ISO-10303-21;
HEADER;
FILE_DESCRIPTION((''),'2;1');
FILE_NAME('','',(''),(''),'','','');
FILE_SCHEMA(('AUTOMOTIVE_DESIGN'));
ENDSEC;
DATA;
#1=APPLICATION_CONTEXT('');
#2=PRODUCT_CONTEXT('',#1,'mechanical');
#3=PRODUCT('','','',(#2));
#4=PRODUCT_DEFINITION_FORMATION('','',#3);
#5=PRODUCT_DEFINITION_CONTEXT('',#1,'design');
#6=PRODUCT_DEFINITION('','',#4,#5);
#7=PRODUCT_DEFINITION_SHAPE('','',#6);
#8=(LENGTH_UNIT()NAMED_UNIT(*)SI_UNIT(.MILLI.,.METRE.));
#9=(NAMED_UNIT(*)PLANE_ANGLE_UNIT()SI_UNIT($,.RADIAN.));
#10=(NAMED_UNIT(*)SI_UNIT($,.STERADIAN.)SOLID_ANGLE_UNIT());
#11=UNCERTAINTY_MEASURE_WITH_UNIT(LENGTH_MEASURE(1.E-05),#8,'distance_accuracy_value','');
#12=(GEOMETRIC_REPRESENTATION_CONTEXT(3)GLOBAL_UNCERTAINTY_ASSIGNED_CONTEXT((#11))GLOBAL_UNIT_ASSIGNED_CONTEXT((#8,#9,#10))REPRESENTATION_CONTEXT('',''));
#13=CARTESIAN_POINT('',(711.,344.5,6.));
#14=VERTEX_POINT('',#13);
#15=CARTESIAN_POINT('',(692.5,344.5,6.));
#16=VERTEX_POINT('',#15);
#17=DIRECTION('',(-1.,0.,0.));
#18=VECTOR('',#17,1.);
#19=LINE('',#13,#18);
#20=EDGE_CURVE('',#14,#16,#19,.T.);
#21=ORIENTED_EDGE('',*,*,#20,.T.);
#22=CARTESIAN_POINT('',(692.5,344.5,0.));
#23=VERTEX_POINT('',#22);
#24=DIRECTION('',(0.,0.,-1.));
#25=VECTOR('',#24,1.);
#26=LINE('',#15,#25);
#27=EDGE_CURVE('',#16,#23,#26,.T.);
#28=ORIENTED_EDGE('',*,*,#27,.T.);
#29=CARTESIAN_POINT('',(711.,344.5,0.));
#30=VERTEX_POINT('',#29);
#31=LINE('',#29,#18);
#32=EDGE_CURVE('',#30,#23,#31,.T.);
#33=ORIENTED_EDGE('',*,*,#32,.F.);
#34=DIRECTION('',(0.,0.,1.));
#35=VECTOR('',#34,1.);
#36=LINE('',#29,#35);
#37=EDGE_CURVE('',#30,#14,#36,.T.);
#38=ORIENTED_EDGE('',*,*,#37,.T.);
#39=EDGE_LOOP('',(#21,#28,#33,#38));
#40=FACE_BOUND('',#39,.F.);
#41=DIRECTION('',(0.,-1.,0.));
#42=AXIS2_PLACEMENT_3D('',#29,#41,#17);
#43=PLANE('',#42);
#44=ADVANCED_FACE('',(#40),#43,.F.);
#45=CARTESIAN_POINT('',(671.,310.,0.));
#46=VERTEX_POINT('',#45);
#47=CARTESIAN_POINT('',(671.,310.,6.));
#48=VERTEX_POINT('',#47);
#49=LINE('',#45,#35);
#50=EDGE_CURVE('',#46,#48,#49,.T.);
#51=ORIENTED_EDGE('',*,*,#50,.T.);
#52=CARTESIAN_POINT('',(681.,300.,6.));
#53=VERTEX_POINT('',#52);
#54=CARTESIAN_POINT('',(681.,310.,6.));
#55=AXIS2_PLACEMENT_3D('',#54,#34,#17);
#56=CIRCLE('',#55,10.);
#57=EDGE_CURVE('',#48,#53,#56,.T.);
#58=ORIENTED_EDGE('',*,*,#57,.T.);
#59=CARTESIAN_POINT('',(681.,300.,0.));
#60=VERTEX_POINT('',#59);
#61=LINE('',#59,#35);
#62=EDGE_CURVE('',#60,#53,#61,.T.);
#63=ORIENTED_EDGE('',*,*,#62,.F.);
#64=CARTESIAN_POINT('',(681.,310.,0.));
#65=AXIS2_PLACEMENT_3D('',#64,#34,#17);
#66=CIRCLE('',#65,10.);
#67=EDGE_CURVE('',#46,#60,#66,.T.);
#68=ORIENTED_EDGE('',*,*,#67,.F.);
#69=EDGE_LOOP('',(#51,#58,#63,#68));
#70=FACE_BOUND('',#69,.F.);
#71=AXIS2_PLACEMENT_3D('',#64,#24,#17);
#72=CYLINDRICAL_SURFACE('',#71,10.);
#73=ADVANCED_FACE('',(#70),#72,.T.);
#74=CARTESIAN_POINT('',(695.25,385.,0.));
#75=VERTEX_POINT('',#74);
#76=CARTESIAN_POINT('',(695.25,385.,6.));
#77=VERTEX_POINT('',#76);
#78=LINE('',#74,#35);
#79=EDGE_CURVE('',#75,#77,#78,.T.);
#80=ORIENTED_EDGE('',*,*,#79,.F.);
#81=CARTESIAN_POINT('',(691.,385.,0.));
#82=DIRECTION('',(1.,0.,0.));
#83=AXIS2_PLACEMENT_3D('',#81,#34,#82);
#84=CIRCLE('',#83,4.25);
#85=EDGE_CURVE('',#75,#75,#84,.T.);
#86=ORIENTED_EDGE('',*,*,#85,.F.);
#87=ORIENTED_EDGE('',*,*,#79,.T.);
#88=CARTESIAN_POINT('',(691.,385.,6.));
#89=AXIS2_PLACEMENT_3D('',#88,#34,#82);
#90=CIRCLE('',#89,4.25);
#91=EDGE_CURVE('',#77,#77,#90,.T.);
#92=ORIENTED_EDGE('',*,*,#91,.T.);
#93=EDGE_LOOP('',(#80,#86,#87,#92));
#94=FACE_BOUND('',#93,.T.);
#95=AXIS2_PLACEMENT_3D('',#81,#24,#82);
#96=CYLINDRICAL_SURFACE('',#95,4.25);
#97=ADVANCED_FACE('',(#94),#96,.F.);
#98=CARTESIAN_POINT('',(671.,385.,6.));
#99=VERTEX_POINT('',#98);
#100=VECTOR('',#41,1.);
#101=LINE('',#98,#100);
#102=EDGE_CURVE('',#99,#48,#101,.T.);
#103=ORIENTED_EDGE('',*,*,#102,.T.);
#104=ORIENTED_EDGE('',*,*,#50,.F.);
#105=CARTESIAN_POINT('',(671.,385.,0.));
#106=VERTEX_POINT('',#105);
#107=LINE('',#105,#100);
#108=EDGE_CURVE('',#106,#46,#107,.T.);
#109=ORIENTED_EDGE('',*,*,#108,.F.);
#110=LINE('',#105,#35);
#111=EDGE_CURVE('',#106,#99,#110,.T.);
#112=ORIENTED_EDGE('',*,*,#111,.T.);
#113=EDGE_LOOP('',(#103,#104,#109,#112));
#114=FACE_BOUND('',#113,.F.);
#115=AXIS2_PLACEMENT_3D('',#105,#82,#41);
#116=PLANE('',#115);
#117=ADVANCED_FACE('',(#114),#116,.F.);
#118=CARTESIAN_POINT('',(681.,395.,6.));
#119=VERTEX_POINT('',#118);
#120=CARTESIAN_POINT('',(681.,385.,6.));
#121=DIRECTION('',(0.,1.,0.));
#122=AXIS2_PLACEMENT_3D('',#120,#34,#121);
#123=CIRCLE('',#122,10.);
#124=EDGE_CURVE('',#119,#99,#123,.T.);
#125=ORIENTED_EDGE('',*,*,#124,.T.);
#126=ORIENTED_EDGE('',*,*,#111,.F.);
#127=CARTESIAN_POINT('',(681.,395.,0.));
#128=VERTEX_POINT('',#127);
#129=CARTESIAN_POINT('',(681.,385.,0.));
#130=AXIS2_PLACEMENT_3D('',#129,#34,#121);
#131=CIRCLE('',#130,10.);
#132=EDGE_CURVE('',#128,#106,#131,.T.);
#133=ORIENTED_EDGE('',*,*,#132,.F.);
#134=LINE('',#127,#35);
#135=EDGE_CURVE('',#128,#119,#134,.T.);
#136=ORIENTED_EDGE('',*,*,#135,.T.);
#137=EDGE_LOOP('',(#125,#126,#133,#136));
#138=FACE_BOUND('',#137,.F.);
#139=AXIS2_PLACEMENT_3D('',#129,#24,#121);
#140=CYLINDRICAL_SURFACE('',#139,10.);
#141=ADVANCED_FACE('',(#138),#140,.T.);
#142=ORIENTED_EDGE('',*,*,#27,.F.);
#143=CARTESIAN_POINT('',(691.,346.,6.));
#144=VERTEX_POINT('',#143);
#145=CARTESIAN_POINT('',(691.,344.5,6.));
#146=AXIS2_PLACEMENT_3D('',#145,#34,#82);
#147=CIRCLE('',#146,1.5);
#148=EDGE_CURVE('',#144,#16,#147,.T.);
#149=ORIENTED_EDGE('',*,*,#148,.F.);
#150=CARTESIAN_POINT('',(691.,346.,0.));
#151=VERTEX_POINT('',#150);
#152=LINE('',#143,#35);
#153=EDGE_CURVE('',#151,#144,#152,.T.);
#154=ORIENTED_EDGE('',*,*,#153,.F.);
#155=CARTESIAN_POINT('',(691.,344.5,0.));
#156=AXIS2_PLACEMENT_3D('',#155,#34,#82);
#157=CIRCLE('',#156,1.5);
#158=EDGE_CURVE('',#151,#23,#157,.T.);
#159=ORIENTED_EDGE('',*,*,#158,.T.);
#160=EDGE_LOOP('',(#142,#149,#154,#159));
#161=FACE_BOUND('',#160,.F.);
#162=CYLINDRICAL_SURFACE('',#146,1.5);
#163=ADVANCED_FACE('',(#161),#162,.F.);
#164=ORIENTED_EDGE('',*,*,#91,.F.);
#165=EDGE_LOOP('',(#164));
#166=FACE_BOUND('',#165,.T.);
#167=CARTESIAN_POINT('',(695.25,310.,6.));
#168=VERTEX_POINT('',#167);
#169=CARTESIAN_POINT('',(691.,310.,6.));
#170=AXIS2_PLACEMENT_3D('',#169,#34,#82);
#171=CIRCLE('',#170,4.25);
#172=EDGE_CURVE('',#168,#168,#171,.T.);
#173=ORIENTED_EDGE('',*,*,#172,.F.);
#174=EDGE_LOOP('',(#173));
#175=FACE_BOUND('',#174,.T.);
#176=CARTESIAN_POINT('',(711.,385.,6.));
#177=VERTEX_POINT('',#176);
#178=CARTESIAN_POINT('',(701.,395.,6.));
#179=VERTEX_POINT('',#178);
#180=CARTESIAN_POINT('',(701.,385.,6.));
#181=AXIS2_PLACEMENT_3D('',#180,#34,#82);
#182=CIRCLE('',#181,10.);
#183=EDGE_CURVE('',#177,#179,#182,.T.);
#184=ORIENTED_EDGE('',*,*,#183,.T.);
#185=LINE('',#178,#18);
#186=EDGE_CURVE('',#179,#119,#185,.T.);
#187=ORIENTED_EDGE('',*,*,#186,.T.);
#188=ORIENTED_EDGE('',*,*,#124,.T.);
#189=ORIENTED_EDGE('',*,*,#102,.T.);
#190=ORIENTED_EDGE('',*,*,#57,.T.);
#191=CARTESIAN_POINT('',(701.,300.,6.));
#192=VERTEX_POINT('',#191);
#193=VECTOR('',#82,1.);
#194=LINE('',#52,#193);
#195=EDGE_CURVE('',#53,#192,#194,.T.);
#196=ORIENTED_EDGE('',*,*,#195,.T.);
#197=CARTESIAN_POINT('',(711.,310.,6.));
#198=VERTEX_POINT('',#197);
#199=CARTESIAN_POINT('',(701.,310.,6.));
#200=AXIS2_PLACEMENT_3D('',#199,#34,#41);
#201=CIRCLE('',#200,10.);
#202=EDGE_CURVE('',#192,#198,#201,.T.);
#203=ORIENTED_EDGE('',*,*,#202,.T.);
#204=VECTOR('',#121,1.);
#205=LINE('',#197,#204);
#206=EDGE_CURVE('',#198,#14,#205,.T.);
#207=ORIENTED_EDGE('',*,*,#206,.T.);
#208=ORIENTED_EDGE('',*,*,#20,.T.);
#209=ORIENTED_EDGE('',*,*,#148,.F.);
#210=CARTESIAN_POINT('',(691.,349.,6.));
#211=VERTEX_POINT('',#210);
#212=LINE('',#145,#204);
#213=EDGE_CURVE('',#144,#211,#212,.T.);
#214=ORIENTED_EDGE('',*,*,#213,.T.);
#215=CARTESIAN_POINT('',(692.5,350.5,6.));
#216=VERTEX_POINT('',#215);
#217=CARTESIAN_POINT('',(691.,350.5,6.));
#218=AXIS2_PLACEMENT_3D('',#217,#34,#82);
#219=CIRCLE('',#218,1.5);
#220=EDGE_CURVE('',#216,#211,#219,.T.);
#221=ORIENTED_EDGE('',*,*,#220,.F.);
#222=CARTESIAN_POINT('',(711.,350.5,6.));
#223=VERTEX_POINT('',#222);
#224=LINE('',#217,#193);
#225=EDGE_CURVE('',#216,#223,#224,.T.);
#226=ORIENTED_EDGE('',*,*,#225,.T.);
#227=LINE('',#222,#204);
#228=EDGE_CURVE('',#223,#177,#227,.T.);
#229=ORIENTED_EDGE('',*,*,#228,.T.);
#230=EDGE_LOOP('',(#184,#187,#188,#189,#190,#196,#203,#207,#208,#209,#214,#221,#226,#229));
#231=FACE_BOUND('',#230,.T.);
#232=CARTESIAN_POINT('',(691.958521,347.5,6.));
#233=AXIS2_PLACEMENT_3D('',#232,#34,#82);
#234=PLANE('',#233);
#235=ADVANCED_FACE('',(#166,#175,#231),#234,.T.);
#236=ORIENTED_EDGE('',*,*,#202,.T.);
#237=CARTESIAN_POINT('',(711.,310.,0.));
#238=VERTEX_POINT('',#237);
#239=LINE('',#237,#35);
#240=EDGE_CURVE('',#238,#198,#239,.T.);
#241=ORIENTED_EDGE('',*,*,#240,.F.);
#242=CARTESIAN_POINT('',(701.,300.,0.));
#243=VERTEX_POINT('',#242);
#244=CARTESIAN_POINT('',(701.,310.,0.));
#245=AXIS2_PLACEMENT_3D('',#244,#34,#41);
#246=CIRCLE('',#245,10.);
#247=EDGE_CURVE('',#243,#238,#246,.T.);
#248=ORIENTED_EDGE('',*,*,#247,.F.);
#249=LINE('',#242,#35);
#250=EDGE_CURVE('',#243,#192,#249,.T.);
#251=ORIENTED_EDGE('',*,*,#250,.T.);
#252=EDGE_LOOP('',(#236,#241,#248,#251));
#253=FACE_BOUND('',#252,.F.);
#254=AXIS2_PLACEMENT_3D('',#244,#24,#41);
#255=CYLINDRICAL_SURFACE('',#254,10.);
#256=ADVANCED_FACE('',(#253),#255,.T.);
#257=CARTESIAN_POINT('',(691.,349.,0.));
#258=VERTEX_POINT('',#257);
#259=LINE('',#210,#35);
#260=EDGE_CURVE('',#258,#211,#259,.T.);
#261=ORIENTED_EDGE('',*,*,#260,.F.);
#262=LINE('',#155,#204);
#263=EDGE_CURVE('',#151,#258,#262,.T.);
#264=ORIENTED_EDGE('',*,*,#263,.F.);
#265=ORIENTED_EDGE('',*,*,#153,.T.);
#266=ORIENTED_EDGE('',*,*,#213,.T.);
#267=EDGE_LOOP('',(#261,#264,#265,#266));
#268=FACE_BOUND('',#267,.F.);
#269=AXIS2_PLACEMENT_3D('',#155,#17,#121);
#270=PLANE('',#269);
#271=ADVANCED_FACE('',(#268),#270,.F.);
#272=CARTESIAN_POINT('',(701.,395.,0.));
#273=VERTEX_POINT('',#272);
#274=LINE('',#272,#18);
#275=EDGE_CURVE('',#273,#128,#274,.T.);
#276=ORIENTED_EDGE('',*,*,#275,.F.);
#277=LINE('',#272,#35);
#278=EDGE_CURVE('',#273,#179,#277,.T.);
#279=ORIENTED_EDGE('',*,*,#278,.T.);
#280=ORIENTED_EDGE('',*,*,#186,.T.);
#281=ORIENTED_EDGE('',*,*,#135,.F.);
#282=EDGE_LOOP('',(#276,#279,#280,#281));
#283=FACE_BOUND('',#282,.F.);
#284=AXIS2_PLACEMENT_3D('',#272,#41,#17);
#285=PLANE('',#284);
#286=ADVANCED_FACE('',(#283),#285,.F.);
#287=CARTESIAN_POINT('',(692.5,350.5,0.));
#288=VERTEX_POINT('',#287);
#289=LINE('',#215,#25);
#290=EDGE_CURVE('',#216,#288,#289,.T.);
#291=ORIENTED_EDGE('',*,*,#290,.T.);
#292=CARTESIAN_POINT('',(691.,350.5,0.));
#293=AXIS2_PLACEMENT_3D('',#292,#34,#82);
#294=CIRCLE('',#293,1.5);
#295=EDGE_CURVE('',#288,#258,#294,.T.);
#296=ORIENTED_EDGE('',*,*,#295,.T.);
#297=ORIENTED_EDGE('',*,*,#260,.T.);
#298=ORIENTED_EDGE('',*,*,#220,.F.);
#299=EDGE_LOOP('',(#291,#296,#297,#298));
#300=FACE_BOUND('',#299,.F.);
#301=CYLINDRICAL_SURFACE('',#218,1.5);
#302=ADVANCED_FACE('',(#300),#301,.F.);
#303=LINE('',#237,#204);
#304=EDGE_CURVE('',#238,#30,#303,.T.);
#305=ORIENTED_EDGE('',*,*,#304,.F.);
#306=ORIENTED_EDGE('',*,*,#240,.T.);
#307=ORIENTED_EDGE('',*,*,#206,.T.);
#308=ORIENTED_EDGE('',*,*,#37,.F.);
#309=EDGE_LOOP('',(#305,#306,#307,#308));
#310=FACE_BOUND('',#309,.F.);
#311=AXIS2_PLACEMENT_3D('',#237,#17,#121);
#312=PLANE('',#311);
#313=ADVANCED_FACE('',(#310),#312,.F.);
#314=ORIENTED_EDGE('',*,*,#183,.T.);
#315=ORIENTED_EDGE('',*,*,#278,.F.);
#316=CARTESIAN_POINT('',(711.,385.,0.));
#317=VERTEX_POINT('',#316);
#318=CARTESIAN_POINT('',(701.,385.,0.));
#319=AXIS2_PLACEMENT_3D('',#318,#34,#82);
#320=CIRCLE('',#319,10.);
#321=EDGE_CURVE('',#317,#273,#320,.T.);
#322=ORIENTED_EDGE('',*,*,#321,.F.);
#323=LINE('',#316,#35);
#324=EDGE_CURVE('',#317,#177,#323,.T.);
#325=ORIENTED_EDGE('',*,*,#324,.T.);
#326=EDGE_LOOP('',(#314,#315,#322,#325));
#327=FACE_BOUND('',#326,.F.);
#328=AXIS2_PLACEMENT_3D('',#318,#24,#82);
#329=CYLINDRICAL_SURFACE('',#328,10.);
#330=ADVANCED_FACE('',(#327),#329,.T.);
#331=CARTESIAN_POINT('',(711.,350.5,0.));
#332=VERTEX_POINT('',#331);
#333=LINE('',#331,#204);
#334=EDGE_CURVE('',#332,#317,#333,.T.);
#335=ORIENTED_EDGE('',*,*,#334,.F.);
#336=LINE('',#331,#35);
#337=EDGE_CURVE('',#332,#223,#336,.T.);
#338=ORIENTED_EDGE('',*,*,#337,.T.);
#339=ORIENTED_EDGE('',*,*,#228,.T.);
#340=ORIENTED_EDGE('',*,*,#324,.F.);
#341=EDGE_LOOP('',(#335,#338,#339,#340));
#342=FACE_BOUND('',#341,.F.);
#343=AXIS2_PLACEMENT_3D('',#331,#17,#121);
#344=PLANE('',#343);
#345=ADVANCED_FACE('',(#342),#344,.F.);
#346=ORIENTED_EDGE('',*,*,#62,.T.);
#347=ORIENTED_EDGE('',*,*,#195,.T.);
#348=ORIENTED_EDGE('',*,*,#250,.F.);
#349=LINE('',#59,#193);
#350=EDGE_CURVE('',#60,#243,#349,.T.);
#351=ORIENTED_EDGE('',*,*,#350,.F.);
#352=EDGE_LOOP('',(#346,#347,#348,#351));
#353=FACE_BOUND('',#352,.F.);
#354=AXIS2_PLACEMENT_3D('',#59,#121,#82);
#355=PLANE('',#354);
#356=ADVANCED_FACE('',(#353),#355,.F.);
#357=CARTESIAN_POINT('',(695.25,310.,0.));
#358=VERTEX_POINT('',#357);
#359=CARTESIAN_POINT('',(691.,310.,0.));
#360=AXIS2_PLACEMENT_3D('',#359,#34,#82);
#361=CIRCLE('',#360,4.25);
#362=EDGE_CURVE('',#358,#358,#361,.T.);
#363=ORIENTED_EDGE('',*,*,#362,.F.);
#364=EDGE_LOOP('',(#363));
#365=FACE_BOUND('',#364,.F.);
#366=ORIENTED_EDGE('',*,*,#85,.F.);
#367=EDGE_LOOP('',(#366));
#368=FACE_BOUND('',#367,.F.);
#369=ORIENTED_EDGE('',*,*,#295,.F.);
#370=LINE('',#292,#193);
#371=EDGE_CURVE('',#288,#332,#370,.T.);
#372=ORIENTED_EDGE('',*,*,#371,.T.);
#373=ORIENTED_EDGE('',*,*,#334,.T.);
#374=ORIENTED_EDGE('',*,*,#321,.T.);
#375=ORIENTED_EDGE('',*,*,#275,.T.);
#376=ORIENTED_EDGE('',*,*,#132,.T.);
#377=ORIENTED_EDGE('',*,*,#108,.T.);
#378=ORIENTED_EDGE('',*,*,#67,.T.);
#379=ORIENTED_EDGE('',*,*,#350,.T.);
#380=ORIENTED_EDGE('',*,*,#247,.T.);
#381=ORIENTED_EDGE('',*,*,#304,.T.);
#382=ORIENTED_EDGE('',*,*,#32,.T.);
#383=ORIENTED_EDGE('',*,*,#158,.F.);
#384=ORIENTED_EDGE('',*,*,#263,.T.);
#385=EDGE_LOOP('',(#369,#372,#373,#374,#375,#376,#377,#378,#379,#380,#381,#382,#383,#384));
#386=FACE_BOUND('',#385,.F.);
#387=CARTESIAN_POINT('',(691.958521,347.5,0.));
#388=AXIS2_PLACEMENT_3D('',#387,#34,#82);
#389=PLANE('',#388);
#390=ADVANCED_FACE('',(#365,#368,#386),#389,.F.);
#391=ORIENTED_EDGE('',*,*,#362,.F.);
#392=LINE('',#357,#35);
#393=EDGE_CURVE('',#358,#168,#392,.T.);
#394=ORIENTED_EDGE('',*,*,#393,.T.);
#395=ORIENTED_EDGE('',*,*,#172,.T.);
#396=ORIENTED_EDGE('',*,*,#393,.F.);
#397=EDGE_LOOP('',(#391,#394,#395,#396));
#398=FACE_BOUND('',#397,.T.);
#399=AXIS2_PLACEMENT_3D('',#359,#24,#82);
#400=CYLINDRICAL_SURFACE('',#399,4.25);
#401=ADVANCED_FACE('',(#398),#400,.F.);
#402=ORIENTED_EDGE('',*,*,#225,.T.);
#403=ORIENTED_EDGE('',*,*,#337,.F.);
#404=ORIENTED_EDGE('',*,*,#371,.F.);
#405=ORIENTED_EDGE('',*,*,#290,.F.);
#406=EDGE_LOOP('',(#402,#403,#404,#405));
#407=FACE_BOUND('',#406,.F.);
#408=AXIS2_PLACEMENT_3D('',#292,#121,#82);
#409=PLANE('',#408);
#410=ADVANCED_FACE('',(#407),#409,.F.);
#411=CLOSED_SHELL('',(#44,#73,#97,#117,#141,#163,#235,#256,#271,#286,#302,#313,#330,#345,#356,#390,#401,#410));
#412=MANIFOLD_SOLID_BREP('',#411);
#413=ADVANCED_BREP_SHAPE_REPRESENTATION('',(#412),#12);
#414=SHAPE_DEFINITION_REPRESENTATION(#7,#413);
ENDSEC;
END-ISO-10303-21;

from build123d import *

# Parameters (mm, degrees)
SKETCH1_R           = 4.25
BOSS_EXTRUDE1_DEPTH = 6
SKETCH3_R           = 1.5
CUT_EXTRUDE1_DEPTH  = 7


with BuildPart() as part:
    # Sketch1 → Boss-Extrude1 (new body)
    with BuildSketch(Plane.XY):
        with BuildLine():
            Line((711, 350.5), (711, 385))
            ThreePointArc((711, 385), (708.071067812, 392.071067812), (701, 395))
            Line((701, 395), (681, 395))
            ThreePointArc((681, 395), (673.928932188, 392.071067812), (671, 385))
            Line((671, 385), (671, 310))
            ThreePointArc((671, 310), (673.928932188, 302.928932188), (681, 300))
            Line((681, 300), (701, 300))
            ThreePointArc((701, 300), (708.071067812, 302.928932188), (711, 310))
            Line((711, 310), (711, 344.5))
            Line((711, 344.5), (691, 344.5))
            Line((691, 344.5), (691, 350.5))
            Line((691, 350.5), (711, 350.5))
        make_face()
        with Locations((691, 310)):
            Circle(SKETCH1_R, mode=Mode.SUBTRACT)
        with Locations((691, 385)):
            Circle(SKETCH1_R, mode=Mode.SUBTRACT)
    extrude(amount=BOSS_EXTRUDE1_DEPTH)

    # Sketch3 → Cut-Extrude1 (cut, through all)
    with BuildSketch(Plane.XY.offset(6)):
        with Locations((691, 350.5)):
            Circle(SKETCH3_R)
        with Locations((691, 344.5)):
            Circle(SKETCH3_R)
    extrude(amount=-CUT_EXTRUDE1_DEPTH, mode=Mode.SUBTRACT)


solid = part.part
